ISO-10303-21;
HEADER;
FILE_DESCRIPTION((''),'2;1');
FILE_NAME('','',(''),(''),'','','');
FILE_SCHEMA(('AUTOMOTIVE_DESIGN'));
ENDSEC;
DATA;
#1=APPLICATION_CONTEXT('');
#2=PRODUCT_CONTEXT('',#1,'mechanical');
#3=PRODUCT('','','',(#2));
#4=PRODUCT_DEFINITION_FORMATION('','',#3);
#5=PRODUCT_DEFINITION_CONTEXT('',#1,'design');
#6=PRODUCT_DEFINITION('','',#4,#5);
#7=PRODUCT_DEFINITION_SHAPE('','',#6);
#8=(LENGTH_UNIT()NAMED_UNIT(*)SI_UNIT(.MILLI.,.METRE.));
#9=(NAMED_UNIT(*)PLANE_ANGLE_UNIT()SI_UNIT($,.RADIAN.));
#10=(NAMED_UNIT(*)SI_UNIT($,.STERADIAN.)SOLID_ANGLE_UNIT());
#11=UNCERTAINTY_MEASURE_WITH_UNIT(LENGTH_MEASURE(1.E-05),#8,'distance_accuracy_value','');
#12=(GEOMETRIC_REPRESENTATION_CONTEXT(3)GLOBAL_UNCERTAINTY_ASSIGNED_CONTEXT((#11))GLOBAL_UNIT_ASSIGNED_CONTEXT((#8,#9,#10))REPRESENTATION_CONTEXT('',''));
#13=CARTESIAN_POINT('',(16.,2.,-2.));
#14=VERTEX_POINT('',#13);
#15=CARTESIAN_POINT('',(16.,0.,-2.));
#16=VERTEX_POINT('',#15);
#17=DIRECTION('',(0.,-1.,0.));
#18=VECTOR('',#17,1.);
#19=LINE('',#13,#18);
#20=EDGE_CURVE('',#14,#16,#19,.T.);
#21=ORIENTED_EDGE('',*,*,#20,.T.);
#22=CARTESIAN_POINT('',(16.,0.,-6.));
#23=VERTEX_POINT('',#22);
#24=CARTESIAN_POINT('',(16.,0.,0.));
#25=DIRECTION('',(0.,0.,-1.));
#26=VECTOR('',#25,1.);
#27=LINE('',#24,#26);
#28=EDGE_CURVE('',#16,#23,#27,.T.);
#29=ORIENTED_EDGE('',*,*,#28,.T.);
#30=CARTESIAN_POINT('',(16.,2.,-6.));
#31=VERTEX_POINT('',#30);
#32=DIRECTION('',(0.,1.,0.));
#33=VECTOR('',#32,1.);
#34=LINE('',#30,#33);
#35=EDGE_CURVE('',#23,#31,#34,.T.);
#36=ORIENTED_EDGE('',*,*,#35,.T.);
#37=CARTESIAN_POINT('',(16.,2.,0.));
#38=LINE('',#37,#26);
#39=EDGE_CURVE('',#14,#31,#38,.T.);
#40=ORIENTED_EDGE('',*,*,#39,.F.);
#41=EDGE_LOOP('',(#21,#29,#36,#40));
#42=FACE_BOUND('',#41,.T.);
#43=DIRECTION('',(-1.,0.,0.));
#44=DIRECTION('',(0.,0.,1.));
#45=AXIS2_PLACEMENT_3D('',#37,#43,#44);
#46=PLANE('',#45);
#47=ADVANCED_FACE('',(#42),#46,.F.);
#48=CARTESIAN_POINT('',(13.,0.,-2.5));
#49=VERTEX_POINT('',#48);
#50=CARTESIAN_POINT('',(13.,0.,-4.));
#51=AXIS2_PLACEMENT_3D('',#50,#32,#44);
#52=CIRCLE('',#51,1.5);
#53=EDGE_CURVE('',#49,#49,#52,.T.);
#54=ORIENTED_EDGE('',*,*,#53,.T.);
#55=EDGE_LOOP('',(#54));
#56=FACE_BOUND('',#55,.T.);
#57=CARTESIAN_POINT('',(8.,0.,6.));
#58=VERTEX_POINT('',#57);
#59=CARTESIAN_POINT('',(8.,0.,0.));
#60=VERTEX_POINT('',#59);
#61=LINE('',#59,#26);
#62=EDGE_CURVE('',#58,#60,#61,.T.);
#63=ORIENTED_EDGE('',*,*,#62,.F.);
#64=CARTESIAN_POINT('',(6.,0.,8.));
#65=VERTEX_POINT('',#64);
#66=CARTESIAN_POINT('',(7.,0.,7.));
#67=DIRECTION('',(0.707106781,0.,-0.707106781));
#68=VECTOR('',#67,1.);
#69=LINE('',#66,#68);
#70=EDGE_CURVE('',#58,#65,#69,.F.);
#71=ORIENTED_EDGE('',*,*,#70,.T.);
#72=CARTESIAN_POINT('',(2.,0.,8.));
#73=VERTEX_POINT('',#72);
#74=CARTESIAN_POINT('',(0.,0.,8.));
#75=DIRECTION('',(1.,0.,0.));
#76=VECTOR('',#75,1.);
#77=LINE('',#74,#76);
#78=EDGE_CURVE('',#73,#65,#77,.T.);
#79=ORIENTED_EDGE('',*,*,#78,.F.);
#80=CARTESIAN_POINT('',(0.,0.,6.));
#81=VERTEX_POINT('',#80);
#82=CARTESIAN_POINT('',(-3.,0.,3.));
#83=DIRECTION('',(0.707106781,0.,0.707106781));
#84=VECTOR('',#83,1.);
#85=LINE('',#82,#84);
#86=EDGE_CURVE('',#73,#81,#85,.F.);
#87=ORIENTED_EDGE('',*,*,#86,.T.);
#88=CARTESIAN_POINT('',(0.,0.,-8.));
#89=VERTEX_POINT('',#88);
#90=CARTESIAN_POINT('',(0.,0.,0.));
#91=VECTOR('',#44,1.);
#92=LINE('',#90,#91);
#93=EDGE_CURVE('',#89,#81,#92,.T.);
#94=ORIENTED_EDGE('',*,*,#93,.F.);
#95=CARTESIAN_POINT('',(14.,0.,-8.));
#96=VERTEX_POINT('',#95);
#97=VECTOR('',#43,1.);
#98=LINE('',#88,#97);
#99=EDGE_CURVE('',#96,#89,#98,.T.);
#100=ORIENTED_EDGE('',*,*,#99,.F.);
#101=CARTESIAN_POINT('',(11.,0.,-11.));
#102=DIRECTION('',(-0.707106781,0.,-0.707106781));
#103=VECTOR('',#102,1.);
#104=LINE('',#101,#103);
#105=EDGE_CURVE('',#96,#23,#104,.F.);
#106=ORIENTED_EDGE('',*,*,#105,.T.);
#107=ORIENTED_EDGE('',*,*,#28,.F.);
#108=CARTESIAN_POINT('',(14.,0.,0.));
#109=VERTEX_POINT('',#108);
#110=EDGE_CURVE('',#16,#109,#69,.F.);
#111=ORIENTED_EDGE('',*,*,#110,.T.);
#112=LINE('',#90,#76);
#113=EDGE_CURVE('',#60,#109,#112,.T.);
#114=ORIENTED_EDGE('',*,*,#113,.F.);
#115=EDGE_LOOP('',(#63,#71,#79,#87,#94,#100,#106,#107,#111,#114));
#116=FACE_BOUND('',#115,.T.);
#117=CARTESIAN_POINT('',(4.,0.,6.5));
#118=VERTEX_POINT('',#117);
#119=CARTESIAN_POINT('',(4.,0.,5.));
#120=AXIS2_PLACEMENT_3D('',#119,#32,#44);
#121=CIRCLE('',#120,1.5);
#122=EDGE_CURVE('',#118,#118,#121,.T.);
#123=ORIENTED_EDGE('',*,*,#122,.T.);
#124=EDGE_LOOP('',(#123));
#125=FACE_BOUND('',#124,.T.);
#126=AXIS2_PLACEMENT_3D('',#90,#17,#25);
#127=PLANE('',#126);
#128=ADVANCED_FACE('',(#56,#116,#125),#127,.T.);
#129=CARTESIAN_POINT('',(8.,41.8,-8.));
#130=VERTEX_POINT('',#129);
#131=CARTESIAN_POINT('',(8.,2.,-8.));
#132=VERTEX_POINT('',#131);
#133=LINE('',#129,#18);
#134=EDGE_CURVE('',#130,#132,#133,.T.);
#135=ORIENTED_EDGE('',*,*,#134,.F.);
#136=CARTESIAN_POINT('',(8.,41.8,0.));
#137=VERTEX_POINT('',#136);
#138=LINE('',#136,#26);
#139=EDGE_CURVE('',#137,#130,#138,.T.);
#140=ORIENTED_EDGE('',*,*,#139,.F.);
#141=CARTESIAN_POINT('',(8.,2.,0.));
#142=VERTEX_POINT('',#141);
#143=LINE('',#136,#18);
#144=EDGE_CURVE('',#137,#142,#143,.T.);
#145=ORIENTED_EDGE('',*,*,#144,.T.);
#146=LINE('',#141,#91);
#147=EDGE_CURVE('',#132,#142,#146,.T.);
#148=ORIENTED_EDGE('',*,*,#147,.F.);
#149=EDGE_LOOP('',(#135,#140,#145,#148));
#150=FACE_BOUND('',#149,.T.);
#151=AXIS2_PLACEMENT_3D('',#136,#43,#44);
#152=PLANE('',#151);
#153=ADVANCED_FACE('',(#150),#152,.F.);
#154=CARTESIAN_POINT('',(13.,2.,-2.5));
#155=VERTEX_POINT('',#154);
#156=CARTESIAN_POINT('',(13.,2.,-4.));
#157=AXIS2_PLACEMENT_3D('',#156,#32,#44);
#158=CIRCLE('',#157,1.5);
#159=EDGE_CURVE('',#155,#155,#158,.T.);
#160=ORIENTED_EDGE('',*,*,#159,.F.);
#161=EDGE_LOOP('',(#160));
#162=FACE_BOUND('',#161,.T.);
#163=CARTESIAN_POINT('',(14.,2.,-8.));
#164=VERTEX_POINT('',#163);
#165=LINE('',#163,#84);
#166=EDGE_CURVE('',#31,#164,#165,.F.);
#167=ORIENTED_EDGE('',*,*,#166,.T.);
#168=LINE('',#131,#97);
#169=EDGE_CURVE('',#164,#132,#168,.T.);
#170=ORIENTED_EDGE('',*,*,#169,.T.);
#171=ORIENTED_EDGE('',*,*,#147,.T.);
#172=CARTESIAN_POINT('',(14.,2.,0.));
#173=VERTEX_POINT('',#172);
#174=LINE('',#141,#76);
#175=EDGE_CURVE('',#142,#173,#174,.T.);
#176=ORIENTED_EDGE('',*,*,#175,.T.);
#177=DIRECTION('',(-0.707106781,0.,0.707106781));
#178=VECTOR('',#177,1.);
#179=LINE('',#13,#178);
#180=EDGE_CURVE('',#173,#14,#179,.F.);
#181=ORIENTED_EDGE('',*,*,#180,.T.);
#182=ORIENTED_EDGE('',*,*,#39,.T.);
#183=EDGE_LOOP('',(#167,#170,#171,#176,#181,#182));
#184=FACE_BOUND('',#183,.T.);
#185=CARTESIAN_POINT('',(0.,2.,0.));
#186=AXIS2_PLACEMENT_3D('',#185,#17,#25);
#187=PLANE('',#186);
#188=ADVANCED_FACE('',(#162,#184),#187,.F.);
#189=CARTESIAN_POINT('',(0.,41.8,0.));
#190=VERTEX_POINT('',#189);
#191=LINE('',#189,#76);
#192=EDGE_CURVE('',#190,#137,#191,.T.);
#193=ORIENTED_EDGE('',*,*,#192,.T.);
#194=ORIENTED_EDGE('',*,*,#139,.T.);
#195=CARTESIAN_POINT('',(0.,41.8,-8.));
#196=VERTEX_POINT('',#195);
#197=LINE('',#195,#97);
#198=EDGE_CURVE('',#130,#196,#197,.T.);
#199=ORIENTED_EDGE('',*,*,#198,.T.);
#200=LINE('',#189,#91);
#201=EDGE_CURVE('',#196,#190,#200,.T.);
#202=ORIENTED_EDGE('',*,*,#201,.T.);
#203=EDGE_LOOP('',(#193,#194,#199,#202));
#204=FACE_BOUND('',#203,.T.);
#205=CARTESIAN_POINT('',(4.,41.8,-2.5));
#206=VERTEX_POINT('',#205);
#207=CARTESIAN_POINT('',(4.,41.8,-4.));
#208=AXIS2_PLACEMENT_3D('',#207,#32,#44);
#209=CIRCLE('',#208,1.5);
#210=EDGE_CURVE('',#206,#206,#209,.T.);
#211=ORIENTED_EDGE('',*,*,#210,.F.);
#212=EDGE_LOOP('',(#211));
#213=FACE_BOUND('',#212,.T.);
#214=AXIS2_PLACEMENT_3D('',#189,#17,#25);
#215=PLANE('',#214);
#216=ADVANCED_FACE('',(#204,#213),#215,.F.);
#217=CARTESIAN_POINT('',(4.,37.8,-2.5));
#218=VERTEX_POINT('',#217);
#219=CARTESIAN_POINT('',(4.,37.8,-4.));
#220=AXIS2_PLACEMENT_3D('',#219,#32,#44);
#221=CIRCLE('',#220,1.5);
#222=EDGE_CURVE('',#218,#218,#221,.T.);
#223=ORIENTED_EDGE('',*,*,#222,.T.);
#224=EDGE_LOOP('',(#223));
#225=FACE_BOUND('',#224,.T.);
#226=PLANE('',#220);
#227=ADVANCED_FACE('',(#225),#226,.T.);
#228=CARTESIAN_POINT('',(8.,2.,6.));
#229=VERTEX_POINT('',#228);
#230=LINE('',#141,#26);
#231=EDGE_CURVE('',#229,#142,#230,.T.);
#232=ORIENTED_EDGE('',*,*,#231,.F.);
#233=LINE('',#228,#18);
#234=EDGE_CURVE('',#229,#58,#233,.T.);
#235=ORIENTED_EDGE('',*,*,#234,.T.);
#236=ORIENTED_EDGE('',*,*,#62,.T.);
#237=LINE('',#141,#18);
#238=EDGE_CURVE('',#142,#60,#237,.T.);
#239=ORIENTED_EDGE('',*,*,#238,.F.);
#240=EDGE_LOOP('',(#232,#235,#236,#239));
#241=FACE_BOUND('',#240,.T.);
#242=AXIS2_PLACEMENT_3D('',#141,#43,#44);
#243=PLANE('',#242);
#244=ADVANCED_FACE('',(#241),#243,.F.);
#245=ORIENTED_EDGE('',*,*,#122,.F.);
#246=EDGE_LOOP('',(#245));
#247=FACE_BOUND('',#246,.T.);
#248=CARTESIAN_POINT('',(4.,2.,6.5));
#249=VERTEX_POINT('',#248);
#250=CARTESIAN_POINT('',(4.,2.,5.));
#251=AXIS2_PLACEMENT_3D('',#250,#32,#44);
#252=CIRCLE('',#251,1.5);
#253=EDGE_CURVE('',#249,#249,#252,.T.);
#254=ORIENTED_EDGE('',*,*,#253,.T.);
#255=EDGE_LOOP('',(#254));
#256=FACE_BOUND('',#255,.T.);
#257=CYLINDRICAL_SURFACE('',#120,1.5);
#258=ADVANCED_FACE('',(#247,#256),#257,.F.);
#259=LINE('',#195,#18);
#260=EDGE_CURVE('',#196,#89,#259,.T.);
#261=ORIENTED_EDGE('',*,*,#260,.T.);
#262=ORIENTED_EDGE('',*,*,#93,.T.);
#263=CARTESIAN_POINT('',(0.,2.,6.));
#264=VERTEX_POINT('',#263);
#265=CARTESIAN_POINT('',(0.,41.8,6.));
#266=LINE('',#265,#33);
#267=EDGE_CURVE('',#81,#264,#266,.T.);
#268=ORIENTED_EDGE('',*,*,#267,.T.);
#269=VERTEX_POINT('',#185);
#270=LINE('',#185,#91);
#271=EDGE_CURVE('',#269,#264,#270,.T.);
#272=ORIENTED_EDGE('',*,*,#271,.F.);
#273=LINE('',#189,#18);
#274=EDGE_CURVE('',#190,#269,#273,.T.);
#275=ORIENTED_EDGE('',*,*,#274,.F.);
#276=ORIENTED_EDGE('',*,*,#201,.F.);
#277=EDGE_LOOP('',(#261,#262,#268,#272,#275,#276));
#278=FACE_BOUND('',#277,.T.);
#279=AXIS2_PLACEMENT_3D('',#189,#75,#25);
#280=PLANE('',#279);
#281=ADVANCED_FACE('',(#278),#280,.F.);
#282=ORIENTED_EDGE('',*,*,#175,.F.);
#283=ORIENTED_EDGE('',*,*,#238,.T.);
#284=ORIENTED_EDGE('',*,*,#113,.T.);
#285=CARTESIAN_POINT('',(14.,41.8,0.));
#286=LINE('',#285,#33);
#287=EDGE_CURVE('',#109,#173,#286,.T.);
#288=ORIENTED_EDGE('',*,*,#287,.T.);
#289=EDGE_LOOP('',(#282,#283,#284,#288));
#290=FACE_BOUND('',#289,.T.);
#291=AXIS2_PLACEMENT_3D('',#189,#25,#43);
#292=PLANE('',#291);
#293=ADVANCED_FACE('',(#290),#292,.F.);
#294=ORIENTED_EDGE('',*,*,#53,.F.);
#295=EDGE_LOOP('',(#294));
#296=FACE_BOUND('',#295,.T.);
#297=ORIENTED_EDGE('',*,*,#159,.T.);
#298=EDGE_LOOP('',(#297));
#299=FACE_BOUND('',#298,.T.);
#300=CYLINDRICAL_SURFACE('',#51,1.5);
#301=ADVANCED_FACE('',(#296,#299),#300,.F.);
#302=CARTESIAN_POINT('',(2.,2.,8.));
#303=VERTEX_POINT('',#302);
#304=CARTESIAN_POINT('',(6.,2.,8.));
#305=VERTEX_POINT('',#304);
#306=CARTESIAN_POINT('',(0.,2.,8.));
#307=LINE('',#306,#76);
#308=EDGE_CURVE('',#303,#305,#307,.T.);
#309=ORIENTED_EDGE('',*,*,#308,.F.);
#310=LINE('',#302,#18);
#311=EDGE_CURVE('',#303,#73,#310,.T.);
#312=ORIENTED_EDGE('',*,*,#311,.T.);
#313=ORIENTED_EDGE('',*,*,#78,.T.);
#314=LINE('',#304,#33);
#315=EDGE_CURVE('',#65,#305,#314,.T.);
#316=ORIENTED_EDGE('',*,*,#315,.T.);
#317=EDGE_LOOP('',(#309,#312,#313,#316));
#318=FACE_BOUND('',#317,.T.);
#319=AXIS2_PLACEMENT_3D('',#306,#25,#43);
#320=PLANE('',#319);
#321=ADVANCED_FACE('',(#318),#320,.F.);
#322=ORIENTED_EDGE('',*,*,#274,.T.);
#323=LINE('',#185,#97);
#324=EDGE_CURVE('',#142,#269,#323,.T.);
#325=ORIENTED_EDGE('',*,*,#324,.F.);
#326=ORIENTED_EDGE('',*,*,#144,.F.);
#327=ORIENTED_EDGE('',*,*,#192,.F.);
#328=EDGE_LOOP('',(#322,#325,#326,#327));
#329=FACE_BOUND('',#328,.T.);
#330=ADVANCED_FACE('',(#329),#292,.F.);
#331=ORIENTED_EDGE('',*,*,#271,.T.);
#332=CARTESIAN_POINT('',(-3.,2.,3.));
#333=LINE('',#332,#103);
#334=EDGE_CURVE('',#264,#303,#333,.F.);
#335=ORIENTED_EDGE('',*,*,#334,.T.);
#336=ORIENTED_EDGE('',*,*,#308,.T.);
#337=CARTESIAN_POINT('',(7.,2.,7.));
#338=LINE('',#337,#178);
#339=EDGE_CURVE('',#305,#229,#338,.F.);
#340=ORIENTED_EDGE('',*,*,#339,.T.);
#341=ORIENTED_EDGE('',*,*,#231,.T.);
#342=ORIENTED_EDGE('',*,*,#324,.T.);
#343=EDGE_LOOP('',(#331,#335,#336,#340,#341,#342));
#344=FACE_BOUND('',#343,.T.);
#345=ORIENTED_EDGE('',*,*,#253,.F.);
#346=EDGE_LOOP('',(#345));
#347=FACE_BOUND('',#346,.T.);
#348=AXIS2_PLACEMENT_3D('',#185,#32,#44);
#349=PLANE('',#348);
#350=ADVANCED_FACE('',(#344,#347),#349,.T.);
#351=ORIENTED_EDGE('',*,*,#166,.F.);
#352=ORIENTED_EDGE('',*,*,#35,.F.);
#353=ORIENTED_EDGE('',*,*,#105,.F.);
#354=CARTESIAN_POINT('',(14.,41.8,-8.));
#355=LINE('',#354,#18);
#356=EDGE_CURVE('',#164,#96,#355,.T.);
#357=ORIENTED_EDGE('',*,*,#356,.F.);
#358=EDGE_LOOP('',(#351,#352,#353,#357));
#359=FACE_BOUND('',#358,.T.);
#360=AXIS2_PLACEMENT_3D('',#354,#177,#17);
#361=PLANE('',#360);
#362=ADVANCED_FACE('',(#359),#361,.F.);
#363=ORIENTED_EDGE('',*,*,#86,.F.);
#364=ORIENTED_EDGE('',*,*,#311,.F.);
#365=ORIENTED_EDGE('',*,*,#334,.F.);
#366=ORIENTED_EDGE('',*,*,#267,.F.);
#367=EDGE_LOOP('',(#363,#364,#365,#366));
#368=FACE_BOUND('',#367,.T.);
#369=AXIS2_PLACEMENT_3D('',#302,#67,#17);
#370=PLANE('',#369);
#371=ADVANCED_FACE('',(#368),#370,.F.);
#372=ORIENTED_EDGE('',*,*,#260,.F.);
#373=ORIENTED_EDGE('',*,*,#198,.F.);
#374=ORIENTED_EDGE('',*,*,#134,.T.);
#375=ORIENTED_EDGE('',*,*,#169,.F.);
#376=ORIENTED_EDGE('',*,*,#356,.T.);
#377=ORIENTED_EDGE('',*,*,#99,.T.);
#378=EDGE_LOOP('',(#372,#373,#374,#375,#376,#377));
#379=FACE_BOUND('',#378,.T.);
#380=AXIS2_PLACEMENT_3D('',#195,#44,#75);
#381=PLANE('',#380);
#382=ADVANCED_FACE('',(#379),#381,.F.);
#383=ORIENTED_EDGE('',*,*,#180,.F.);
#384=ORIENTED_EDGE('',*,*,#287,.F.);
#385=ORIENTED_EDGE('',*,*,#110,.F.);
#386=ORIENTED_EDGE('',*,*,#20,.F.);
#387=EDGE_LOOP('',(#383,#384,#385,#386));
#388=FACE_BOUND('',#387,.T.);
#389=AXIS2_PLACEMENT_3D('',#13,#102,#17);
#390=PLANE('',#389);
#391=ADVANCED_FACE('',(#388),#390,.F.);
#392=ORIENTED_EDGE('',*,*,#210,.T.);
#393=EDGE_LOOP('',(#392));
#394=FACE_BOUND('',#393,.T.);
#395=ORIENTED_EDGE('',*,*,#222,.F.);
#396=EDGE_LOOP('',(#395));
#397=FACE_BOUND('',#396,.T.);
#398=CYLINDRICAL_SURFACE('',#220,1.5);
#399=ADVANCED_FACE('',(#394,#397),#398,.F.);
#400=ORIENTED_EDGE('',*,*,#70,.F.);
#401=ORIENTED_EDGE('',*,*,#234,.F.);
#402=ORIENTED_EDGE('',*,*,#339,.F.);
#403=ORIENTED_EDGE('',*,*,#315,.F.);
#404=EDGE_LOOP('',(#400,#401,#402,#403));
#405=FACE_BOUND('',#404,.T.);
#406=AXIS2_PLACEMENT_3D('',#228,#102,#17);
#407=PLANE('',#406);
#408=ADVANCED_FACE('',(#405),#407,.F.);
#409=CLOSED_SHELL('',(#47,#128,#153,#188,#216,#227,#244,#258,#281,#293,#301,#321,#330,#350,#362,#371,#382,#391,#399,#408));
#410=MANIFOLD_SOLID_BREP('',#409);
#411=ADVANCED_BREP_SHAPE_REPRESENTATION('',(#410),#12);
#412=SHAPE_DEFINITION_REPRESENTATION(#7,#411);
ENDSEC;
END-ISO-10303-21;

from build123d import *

# Parameters (mm, degrees)
SKETCH1_W           = 8
SKETCH1_H           = 8
BOSS_EXTRUDE1_DEPTH = 41.8
SKETCH2_R           = 1.5
CUT_EXTRUDE1_DEPTH  = 4
SKETCH3_W           = 8
SKETCH3_H           = 8
BOSS_EXTRUDE2_DEPTH = 2
SKETCH4_W           = 8
SKETCH4_H           = 8
BOSS_EXTRUDE3_DEPTH = 2
CHAMFER1_SIZE       = 2
SKETCH5_R           = 1.5
CUT_EXTRUDE2_DEPTH  = 2


with BuildPart() as part:
    # Sketch1 → Boss-Extrude1 (new body)
    with BuildSketch(Plane(origin=(0, 0, 0), x_dir=(1, 0, 0), z_dir=(0, 1, 0))):
        with Locations((4, 4)):
            Rectangle(SKETCH1_W, SKETCH1_H)
    extrude(amount=BOSS_EXTRUDE1_DEPTH)

    # Sketch2 → Cut-Extrude1 (cut)
    with BuildSketch(Plane(origin=(0, 41.8, 0), x_dir=(1, 0, 0), z_dir=(0, 1, 0))):
        with Locations(Location((4, 4, 0), (0, 0, 270))):
            Circle(SKETCH2_R)
    extrude(amount=-CUT_EXTRUDE1_DEPTH, mode=Mode.SUBTRACT)

    # Sketch3 → Boss-Extrude2 (add)
    with BuildSketch(Plane(origin=(0, 0, 0), x_dir=(1, 0, 0), z_dir=(0, 1, 0))):
        with Locations((12, 4)):
            Rectangle(SKETCH3_W, SKETCH3_H)
    extrude(amount=BOSS_EXTRUDE2_DEPTH)

    # Sketch4 → Boss-Extrude3 (add)
    with BuildSketch(Plane(origin=(0, 0, 0), x_dir=(1, 0, 0), z_dir=(0, 1, 0))):
        with Locations((4, -4)):
            Rectangle(SKETCH4_W, SKETCH4_H)
    extrude(amount=BOSS_EXTRUDE3_DEPTH)

    # Chamfer1
    chamfer1_edges = [part.edges().sort_by_distance(p)[0] for p in [
        (16, 1, 0),
        (16, 1, -8),
        (0, 1, 8),
        (8, 1, 8),
    ]]
    chamfer(chamfer1_edges, length=CHAMFER1_SIZE)

    # Sketch5 → Cut-Extrude2 (cut)
    with BuildSketch(Plane(origin=(0, 2, 0), x_dir=(1, 0, 0), z_dir=(0, 1, 0))):
        with Locations(Location((4, -5, 0), (0, 0, 270))):
            Circle(SKETCH5_R)
        with Locations(Location((13, 4, 0), (0, 0, 270))):
            Circle(SKETCH5_R)
    extrude(amount=-CUT_EXTRUDE2_DEPTH, mode=Mode.SUBTRACT)


solid = part.part
